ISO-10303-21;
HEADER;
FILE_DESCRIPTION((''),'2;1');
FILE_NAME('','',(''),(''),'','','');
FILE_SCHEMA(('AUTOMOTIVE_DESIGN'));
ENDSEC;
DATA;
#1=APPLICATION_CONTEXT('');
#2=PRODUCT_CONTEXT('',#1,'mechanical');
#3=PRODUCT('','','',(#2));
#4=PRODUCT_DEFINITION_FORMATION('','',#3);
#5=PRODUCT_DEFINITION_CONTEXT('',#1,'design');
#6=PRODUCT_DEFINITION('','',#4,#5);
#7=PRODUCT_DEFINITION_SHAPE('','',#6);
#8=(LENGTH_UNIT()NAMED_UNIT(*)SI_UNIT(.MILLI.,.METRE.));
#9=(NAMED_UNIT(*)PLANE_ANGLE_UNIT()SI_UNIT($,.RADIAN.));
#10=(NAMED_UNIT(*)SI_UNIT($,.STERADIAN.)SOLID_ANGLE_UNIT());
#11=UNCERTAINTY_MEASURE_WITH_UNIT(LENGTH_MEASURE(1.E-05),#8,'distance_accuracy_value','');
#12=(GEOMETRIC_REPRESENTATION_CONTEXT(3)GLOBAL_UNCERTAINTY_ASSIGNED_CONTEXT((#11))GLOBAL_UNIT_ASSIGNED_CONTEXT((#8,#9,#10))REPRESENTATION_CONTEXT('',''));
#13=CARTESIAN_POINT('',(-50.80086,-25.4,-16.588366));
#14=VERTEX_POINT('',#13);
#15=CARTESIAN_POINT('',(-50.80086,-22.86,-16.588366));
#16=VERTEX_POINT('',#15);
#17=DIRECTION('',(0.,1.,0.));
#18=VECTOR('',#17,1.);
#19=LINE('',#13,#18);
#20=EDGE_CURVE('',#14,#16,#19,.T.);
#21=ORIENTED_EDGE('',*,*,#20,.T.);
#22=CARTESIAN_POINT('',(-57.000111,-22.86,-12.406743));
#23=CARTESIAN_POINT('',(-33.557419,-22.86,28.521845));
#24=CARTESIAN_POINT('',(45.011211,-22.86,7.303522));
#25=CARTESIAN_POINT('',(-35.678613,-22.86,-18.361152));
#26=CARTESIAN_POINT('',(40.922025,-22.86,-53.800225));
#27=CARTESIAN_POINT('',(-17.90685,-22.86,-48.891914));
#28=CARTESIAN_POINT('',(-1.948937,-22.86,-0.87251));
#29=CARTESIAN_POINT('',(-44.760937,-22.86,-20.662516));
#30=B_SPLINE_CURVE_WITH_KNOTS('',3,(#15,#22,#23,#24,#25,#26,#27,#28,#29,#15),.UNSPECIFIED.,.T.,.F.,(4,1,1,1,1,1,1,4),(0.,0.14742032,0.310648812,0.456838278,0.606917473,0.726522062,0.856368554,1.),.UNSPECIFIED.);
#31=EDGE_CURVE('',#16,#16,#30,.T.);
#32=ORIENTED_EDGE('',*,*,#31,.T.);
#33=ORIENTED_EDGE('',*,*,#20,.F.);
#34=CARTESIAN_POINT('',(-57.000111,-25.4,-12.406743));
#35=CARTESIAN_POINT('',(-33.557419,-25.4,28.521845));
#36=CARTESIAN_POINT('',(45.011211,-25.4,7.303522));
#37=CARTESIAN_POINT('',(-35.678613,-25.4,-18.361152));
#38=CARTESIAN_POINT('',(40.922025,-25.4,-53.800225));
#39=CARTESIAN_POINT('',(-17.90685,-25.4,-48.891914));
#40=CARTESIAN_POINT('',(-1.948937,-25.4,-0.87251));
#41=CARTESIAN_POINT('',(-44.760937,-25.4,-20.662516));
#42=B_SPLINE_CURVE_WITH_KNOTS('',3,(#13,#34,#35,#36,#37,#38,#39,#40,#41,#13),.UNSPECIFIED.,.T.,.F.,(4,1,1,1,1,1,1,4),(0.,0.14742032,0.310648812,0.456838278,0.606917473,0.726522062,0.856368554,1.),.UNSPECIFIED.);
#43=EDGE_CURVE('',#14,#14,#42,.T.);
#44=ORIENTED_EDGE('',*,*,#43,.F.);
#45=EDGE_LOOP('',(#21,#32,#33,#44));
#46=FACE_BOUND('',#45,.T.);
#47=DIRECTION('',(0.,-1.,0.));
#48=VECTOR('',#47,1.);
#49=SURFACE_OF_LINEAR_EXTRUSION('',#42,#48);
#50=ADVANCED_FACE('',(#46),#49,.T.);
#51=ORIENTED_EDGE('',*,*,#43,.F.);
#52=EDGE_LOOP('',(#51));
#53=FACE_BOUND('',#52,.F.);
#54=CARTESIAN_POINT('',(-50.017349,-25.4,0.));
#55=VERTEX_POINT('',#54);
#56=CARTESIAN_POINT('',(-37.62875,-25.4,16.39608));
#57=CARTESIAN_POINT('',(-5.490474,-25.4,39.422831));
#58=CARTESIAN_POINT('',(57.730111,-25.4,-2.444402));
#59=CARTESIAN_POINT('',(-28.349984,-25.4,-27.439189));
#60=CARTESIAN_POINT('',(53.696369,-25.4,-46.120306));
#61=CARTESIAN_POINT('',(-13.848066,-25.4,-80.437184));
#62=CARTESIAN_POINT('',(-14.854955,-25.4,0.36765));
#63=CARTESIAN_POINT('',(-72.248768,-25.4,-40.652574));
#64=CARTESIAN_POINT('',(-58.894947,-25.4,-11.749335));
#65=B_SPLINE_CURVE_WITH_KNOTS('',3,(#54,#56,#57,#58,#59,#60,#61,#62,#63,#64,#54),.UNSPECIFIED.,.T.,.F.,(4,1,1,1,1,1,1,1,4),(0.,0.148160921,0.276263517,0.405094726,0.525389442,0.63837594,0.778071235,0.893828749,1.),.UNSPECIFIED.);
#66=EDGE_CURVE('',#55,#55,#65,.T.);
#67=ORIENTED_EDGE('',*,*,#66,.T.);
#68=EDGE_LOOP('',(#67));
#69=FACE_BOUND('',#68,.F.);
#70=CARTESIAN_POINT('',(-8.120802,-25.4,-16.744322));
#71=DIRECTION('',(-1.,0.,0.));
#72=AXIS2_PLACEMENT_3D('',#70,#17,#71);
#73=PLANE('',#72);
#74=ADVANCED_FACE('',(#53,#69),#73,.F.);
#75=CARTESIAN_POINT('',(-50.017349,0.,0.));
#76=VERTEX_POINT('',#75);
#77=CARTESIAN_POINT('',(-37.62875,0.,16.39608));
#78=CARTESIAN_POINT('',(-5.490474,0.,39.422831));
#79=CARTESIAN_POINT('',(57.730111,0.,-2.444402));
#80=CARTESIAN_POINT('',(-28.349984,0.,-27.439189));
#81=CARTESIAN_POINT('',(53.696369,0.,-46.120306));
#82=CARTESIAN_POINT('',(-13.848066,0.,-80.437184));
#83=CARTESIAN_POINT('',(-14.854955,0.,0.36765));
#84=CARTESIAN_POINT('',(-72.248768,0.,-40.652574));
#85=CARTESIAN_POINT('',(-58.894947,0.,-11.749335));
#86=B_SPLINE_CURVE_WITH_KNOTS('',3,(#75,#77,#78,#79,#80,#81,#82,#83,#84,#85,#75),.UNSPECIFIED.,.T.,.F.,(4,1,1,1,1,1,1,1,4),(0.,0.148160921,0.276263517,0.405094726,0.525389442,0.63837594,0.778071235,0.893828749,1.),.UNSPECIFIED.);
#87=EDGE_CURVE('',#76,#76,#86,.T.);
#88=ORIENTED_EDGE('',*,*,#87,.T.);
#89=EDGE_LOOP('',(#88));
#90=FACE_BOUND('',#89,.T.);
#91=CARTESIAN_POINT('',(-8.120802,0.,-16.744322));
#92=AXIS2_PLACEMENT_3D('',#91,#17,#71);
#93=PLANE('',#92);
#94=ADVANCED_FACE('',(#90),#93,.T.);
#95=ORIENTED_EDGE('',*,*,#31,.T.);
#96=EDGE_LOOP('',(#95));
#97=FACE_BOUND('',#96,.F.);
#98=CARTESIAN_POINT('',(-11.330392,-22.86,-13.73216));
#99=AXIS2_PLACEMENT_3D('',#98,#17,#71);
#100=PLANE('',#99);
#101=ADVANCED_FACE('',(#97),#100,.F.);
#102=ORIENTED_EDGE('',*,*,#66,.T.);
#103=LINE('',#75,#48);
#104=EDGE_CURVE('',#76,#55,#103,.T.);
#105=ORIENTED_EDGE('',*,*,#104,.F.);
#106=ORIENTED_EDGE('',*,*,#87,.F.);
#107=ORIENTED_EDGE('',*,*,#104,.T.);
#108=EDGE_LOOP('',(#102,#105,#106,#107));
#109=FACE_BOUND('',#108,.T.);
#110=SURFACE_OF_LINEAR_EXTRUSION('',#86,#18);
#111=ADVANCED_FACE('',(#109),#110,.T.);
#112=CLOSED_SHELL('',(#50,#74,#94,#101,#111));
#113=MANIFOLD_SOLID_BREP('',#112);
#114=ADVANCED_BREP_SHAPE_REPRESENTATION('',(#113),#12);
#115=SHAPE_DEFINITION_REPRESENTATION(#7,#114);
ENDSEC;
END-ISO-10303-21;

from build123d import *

# Parameters (mm, degrees)
F1_DEPTH = 25.4
F3_DEPTH = 2.54


with BuildPart() as f1:
    # F0 (on Front) → F1 (new body)
    with BuildSketch(Plane.XZ):
        with BuildLine():
            add(Edge.make_bspline(
                [(-50.017349422, 0), (-37.6287503582, 16.3960795102), (-5.4904744481, 39.4228310317), (57.7301109779, -2.4444017533), (-28.3499838403, -27.4391892112), (53.6963689107, -46.1203055376), (-13.8480661103, -80.4371837952), (-14.8549546099, 0.3676501227), (-72.2487675671, -40.6525737786), (-58.8949471936, -11.7493348662), (-50.017349422, 0)],
                knots=[0, 0, 0, 0, 0.1481609206, 0.2762635169, 0.405094726, 0.5253894418, 0.6383759396, 0.7780712348, 0.8938287492, 1, 1, 1, 1], degree=3))
        make_face()
    extrude(amount=F1_DEPTH)

    # F2 (on face) → F3 (cut)
    with BuildSketch(Plane.XZ.offset(25.4)):
        with BuildLine():
            add(Edge.make_bspline(
                [(-50.8008599281, -16.5883656591), (-57.0001111889, -12.4067426431), (-33.557418786, 28.5218453634), (45.0112114609, 7.3035216516), (-35.6786127298, -18.3611522094), (40.9220253123, -53.8002248153), (-17.906849584, -48.8919142107), (-1.948937275, -0.8725100208), (-44.7609366722, -20.6625160749), (-50.8008599281, -16.5883656591)],
                knots=[0, 0, 0, 0, 0.1474203204, 0.3106488116, 0.4568382778, 0.6069174728, 0.7265220621, 0.8563685542, 1, 1, 1, 1], degree=3))
        make_face()
    extrude(amount=-F3_DEPTH, mode=Mode.SUBTRACT)


solid = f1.part
